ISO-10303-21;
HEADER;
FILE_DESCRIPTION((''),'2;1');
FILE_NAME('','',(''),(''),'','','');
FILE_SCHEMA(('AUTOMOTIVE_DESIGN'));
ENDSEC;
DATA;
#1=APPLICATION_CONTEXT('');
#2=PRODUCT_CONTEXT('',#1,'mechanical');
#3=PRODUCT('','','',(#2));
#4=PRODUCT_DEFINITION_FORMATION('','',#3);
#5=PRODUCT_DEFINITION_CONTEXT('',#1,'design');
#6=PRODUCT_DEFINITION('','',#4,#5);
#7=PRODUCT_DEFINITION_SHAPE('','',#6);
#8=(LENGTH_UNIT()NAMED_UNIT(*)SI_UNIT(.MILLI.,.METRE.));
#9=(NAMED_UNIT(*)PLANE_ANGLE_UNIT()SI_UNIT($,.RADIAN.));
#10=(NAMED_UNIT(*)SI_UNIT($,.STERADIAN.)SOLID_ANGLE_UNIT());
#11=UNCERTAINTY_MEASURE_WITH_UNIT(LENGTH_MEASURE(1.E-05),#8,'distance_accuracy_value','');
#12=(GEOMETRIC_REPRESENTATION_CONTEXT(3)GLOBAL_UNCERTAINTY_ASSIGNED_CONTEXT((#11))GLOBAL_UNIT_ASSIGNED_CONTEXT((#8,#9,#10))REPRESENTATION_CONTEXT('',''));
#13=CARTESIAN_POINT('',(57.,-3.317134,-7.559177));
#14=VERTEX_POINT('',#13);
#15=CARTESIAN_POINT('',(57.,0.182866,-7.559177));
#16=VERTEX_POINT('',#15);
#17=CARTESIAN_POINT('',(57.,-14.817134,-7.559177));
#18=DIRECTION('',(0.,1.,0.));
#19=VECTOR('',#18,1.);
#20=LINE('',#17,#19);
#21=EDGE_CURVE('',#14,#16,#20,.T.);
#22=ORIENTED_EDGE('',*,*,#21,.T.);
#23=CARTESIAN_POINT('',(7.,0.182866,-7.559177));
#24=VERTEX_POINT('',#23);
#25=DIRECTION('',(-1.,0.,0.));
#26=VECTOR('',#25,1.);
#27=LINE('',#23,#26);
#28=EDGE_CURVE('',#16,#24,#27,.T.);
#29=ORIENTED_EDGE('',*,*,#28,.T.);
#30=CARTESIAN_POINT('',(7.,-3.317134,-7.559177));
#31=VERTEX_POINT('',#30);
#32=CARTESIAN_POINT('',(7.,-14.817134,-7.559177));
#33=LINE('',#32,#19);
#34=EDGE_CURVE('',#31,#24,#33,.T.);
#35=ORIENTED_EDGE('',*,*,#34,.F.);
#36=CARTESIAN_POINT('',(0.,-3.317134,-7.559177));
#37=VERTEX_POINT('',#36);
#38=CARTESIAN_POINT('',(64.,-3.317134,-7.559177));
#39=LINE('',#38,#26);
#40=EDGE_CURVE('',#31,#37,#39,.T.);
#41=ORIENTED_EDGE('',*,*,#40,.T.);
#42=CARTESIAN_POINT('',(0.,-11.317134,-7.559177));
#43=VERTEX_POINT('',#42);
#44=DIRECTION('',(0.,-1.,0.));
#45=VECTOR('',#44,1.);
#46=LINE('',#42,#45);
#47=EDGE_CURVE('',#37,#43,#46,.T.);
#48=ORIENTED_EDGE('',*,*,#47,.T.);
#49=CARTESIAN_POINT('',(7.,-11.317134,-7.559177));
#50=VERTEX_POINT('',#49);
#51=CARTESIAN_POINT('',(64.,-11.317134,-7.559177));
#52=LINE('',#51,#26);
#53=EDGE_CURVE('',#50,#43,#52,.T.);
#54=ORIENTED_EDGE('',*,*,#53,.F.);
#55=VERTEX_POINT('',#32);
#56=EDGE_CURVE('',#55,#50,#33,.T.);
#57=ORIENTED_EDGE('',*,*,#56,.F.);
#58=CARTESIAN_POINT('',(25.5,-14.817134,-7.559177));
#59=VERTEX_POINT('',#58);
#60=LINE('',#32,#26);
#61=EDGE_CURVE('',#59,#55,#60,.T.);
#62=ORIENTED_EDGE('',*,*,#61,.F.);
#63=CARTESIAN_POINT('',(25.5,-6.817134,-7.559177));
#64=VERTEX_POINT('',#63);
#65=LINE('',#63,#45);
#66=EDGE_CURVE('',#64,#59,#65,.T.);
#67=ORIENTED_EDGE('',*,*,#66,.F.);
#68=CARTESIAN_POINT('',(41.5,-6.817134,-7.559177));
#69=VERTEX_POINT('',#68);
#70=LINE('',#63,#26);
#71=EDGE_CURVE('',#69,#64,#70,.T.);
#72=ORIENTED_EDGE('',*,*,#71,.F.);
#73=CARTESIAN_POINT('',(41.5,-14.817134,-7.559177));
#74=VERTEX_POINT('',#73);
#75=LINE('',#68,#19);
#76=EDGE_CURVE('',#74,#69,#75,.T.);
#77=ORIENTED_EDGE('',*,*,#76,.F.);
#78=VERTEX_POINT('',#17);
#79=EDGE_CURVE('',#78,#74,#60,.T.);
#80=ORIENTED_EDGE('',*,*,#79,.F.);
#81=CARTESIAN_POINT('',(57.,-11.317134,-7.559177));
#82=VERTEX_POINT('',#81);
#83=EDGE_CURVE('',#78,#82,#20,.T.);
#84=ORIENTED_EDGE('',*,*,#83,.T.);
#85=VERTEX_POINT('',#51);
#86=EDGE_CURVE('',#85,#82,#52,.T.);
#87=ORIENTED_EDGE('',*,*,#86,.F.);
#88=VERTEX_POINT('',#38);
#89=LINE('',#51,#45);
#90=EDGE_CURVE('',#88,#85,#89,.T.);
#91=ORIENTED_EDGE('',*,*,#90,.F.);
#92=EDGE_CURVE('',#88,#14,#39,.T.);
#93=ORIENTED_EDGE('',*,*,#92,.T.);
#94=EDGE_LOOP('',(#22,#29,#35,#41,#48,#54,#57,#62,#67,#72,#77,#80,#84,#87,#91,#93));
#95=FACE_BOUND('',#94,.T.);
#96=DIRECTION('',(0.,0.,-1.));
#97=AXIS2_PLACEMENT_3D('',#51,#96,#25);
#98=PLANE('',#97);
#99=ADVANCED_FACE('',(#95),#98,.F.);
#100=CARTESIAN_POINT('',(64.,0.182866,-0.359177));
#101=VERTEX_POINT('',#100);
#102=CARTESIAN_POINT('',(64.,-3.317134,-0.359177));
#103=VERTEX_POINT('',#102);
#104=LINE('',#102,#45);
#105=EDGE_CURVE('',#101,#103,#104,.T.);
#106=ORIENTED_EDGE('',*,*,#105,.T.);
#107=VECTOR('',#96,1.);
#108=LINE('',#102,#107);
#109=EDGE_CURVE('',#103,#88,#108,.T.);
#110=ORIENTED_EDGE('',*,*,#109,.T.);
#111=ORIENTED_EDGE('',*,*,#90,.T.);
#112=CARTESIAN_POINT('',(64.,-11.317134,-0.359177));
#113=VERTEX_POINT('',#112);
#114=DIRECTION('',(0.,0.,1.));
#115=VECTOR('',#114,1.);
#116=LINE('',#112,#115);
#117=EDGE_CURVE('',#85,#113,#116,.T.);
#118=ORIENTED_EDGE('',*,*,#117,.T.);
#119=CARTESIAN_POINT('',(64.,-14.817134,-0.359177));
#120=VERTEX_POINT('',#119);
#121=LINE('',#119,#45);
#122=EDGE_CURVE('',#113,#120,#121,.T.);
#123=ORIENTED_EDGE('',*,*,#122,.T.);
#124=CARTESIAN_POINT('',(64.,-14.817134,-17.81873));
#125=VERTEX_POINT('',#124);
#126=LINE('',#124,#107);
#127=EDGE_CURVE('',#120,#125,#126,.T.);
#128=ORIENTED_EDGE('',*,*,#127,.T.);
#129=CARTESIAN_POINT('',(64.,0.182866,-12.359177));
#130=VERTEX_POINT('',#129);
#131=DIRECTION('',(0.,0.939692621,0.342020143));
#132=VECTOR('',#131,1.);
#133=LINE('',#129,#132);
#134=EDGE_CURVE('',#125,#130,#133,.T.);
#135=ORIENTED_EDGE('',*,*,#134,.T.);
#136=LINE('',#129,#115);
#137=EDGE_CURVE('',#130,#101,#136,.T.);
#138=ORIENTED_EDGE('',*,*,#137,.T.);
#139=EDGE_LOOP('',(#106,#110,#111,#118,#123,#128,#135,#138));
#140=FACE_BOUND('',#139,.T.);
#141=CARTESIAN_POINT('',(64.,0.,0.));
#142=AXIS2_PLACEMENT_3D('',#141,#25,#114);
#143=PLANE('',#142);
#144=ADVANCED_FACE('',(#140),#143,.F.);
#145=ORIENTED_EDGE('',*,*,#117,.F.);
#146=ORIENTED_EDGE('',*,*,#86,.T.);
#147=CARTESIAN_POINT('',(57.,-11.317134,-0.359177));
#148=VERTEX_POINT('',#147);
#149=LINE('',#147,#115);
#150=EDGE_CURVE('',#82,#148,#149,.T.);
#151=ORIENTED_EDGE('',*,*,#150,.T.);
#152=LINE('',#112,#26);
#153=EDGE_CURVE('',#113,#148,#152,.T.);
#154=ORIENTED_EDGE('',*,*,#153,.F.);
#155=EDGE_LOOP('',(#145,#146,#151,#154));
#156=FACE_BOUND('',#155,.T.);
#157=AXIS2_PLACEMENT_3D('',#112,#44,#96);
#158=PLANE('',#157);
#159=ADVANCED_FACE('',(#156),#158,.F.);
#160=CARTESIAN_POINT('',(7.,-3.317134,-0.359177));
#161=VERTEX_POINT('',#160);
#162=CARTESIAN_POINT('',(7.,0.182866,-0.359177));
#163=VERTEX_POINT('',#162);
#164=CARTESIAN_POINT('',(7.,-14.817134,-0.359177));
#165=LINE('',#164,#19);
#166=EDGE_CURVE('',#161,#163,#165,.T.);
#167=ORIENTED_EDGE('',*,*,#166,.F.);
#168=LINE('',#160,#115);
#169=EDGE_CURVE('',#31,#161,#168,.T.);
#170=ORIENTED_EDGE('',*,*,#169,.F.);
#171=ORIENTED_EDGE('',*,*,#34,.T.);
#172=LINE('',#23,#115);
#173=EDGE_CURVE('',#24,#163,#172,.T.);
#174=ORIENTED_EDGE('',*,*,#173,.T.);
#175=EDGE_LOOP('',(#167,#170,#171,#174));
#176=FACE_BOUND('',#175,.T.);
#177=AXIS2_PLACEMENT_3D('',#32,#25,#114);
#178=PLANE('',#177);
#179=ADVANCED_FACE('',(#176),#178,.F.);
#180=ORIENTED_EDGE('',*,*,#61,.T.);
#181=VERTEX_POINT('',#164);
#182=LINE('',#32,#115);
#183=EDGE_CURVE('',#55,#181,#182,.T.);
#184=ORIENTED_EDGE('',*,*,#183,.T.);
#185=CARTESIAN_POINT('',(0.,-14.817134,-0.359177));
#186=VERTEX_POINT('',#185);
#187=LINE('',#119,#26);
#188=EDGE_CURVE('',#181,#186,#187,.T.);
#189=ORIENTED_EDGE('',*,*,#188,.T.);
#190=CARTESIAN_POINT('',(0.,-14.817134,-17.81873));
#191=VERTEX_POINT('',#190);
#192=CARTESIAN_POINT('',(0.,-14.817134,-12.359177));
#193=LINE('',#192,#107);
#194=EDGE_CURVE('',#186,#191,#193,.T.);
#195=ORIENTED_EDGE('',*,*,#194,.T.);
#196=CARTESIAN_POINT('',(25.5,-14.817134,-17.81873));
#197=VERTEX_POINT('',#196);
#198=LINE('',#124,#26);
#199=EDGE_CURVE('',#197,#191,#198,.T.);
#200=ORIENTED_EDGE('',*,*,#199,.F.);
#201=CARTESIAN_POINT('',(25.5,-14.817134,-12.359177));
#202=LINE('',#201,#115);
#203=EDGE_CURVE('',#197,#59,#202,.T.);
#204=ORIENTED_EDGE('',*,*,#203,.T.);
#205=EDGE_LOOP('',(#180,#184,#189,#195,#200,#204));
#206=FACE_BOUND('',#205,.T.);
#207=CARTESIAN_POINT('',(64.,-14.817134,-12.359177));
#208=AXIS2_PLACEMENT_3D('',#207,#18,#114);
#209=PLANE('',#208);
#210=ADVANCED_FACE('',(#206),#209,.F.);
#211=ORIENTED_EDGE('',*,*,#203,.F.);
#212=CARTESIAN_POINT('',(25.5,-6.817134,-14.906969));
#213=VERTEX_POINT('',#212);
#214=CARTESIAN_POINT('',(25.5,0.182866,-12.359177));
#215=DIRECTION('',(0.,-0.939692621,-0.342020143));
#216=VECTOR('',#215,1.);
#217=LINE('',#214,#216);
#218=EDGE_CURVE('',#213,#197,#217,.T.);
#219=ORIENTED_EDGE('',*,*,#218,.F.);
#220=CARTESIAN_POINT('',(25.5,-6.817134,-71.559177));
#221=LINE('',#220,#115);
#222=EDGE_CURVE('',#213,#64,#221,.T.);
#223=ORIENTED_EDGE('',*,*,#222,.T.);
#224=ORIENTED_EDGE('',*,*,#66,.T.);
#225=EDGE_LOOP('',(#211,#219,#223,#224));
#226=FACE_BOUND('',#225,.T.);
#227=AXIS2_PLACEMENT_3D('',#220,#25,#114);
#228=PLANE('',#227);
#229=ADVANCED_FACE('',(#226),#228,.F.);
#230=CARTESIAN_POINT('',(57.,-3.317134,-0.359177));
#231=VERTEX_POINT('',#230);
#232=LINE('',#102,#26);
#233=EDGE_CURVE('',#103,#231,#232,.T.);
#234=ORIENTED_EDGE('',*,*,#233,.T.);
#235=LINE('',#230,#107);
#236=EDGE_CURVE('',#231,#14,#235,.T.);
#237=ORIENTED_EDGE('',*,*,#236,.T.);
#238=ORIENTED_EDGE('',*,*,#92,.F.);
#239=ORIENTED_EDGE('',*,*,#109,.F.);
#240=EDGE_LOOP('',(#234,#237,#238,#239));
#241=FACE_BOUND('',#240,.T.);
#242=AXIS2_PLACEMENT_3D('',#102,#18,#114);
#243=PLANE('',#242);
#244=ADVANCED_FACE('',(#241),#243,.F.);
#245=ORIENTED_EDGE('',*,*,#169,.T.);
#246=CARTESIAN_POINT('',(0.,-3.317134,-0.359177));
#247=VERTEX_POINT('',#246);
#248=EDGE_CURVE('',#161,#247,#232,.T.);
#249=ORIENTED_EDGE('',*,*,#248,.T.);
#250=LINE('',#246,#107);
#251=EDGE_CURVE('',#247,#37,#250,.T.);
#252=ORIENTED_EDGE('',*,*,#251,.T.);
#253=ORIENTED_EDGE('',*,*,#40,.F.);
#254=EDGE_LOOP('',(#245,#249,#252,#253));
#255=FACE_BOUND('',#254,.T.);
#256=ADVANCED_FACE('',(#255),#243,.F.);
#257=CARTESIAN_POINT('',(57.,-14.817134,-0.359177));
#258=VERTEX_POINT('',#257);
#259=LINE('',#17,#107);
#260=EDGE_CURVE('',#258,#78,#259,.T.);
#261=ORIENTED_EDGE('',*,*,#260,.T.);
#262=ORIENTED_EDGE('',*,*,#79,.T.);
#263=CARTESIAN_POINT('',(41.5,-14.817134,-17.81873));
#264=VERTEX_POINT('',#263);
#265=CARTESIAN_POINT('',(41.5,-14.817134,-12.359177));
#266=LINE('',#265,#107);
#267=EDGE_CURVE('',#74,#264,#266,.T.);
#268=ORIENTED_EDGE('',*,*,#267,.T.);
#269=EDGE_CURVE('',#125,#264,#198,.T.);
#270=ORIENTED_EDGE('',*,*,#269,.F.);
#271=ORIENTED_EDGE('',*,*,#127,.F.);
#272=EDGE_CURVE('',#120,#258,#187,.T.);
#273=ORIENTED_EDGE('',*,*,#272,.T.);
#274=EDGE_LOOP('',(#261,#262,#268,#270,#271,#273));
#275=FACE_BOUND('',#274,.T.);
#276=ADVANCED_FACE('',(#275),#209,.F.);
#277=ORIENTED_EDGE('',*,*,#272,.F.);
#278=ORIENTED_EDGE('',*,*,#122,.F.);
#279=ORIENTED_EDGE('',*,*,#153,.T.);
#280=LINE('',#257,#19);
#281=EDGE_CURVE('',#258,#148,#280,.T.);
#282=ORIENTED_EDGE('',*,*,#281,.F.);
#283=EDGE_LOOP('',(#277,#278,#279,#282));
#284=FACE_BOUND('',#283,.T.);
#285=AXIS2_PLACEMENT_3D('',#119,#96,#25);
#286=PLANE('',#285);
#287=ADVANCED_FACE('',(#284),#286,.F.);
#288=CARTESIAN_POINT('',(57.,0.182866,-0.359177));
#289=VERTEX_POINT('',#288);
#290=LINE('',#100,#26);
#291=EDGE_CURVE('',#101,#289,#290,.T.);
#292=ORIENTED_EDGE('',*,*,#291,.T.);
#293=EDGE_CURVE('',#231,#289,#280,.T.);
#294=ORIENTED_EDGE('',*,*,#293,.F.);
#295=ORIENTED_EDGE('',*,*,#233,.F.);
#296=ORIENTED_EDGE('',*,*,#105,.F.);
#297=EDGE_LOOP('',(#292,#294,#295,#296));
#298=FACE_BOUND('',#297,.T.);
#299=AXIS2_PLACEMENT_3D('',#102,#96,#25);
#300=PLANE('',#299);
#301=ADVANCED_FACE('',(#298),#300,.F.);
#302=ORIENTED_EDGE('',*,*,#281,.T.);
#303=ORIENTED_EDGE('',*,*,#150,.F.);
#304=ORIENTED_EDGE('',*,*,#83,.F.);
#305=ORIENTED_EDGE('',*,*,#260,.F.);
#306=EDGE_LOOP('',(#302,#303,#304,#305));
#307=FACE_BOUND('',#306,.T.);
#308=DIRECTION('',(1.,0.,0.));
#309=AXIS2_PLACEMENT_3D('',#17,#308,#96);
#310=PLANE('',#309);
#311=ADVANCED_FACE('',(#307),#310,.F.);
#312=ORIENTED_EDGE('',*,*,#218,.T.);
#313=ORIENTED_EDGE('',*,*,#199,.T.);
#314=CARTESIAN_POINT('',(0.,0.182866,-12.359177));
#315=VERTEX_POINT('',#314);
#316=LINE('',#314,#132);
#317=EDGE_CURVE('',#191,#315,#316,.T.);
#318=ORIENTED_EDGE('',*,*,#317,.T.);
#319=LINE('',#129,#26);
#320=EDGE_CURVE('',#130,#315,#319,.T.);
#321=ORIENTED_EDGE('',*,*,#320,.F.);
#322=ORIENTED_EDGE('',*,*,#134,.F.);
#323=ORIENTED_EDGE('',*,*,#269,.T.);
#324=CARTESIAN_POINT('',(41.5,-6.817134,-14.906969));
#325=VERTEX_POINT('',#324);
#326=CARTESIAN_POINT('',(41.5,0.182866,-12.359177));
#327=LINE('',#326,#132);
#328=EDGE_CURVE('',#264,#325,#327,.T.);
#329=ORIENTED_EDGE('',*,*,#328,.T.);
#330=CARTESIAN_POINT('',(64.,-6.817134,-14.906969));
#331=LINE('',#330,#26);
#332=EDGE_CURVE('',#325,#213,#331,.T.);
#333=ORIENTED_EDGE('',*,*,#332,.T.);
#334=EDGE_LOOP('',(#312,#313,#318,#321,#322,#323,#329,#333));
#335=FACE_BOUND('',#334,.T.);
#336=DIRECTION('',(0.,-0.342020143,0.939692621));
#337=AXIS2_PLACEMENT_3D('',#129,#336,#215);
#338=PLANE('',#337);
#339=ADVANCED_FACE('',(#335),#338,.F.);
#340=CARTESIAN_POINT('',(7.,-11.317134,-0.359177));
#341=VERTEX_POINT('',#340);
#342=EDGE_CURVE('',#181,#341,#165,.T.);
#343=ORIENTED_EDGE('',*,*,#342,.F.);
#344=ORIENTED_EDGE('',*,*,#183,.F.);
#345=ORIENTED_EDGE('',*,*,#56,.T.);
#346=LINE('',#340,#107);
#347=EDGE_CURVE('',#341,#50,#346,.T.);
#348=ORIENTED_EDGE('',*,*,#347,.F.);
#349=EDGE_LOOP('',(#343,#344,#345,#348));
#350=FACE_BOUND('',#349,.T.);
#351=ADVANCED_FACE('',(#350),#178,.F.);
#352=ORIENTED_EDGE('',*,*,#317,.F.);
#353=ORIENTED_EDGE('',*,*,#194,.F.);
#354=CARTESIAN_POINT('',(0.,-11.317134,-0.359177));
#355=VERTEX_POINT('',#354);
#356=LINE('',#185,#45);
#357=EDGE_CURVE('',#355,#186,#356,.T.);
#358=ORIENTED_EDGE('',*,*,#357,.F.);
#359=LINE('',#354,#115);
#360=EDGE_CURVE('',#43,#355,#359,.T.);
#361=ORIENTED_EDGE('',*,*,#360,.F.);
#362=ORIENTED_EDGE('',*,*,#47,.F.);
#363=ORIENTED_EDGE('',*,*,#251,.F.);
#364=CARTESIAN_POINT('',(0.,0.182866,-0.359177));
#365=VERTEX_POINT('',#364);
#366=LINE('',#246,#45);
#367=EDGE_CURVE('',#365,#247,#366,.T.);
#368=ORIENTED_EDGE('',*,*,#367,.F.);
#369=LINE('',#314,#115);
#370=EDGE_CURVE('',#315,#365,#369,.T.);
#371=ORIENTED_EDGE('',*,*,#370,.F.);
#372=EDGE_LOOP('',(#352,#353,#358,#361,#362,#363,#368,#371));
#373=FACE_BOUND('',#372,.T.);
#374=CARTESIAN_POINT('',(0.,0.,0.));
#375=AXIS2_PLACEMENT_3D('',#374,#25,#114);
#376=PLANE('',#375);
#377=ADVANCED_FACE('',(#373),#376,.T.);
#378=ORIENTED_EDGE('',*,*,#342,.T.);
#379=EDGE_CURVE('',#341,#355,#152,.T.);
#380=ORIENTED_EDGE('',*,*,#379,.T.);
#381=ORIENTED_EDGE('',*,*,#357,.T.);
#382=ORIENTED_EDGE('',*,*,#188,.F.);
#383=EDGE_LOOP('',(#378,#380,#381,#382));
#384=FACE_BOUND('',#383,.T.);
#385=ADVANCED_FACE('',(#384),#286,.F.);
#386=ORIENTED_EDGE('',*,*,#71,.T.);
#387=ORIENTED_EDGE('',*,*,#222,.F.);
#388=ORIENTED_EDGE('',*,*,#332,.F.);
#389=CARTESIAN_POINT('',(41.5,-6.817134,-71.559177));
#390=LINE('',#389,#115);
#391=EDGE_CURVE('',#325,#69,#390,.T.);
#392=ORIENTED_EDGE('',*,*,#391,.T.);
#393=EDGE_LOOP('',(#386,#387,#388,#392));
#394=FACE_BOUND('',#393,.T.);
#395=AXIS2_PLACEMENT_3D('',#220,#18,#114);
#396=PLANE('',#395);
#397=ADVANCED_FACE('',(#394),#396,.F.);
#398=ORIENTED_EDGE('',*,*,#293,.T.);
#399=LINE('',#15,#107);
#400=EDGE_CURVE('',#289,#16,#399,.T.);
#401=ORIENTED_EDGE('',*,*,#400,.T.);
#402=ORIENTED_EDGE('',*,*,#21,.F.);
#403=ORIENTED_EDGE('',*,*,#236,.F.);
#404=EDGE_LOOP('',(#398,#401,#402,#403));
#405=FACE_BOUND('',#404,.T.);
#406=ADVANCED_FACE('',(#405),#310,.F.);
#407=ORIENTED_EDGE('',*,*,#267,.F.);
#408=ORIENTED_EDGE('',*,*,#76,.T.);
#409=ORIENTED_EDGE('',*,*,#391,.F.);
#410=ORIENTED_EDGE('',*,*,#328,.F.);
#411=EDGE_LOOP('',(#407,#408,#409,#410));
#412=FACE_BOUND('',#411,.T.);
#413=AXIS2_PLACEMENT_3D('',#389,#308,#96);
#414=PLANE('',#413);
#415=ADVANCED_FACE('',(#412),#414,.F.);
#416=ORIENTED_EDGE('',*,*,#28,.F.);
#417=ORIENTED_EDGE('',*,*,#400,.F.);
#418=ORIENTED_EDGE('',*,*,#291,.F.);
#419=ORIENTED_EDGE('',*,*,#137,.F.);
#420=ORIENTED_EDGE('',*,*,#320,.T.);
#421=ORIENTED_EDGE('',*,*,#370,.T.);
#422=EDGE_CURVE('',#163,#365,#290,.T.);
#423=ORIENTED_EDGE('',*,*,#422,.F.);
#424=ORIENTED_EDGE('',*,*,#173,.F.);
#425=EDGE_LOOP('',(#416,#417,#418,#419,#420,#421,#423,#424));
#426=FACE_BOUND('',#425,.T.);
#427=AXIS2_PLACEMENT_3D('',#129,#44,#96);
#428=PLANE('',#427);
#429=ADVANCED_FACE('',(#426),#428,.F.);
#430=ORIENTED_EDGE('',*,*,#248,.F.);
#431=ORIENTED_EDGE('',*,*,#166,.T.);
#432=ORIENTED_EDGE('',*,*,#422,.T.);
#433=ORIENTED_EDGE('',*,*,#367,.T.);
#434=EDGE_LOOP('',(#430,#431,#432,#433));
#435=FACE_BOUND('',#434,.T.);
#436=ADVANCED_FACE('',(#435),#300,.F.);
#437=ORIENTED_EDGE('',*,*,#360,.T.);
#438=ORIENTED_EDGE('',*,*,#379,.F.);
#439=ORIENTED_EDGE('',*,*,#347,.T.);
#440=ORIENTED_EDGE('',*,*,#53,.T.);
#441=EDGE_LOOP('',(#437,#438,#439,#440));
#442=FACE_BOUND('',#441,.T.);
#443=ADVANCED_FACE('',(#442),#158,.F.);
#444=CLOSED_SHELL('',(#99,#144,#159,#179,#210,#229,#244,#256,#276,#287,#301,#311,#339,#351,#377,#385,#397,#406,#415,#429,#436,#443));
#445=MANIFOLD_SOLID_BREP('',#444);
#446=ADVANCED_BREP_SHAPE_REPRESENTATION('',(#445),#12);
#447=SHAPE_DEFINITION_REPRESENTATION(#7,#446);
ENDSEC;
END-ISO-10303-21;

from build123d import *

# Parameters (mm, degrees)
BOSS_EXTRUDE1_DEPTH     = 64
SKETCH2_W               = 50
SKETCH2_H               = 7.2
CUT_EXTRUDE1_DEPTH      = 12.5
CUT_EXTRUDE1_DEPTH_BACK = 4.5
SKETCH3_W               = 16
SKETCH3_H               = 8
CUT_EXTRUDE2_DEPTH      = 64


with BuildPart() as part:
    # Sketch1 → Boss-Extrude1 (new body)
    with BuildSketch(Plane(origin=(0, 0, 0), x_dir=(0, 0, -1), z_dir=(1, 0, 0))):
        Polygon((0.359176952, -3.317134482), (0.359176952, 0.182865518), (12.359176952, 0.182865518), (17.818730466, -14.817134482), (12.359176952, -14.817134482), (0.359176952, -14.817134482), (0.359176952, -11.317134482), (7.559176952, -11.317134482), (7.559176952, -3.317134482), align=None)
    extrude(amount=BOSS_EXTRUDE1_DEPTH)

    # Sketch2 → Cut-Extrude1 (cut, two sides)
    with BuildSketch(Plane(origin=(0, -11.317134482, 0), x_dir=(1, 0, 0), z_dir=(0, 1, 0))) as cut_extrude1_sk:
        with Locations((32, 3.959176952)):
            Rectangle(SKETCH2_W, SKETCH2_H)
    extrude(amount=CUT_EXTRUDE1_DEPTH, mode=Mode.SUBTRACT)
    extrude(cut_extrude1_sk.sketch, amount=-CUT_EXTRUDE1_DEPTH_BACK, mode=Mode.SUBTRACT)

    # Sketch3 → Cut-Extrude2 (cut)
    with BuildSketch(Plane.XY.offset(-7.559176952)):
        with Locations((33.5, -10.817134482)):
            Rectangle(SKETCH3_W, SKETCH3_H)
    extrude(amount=-CUT_EXTRUDE2_DEPTH, mode=Mode.SUBTRACT)


solid = part.part
